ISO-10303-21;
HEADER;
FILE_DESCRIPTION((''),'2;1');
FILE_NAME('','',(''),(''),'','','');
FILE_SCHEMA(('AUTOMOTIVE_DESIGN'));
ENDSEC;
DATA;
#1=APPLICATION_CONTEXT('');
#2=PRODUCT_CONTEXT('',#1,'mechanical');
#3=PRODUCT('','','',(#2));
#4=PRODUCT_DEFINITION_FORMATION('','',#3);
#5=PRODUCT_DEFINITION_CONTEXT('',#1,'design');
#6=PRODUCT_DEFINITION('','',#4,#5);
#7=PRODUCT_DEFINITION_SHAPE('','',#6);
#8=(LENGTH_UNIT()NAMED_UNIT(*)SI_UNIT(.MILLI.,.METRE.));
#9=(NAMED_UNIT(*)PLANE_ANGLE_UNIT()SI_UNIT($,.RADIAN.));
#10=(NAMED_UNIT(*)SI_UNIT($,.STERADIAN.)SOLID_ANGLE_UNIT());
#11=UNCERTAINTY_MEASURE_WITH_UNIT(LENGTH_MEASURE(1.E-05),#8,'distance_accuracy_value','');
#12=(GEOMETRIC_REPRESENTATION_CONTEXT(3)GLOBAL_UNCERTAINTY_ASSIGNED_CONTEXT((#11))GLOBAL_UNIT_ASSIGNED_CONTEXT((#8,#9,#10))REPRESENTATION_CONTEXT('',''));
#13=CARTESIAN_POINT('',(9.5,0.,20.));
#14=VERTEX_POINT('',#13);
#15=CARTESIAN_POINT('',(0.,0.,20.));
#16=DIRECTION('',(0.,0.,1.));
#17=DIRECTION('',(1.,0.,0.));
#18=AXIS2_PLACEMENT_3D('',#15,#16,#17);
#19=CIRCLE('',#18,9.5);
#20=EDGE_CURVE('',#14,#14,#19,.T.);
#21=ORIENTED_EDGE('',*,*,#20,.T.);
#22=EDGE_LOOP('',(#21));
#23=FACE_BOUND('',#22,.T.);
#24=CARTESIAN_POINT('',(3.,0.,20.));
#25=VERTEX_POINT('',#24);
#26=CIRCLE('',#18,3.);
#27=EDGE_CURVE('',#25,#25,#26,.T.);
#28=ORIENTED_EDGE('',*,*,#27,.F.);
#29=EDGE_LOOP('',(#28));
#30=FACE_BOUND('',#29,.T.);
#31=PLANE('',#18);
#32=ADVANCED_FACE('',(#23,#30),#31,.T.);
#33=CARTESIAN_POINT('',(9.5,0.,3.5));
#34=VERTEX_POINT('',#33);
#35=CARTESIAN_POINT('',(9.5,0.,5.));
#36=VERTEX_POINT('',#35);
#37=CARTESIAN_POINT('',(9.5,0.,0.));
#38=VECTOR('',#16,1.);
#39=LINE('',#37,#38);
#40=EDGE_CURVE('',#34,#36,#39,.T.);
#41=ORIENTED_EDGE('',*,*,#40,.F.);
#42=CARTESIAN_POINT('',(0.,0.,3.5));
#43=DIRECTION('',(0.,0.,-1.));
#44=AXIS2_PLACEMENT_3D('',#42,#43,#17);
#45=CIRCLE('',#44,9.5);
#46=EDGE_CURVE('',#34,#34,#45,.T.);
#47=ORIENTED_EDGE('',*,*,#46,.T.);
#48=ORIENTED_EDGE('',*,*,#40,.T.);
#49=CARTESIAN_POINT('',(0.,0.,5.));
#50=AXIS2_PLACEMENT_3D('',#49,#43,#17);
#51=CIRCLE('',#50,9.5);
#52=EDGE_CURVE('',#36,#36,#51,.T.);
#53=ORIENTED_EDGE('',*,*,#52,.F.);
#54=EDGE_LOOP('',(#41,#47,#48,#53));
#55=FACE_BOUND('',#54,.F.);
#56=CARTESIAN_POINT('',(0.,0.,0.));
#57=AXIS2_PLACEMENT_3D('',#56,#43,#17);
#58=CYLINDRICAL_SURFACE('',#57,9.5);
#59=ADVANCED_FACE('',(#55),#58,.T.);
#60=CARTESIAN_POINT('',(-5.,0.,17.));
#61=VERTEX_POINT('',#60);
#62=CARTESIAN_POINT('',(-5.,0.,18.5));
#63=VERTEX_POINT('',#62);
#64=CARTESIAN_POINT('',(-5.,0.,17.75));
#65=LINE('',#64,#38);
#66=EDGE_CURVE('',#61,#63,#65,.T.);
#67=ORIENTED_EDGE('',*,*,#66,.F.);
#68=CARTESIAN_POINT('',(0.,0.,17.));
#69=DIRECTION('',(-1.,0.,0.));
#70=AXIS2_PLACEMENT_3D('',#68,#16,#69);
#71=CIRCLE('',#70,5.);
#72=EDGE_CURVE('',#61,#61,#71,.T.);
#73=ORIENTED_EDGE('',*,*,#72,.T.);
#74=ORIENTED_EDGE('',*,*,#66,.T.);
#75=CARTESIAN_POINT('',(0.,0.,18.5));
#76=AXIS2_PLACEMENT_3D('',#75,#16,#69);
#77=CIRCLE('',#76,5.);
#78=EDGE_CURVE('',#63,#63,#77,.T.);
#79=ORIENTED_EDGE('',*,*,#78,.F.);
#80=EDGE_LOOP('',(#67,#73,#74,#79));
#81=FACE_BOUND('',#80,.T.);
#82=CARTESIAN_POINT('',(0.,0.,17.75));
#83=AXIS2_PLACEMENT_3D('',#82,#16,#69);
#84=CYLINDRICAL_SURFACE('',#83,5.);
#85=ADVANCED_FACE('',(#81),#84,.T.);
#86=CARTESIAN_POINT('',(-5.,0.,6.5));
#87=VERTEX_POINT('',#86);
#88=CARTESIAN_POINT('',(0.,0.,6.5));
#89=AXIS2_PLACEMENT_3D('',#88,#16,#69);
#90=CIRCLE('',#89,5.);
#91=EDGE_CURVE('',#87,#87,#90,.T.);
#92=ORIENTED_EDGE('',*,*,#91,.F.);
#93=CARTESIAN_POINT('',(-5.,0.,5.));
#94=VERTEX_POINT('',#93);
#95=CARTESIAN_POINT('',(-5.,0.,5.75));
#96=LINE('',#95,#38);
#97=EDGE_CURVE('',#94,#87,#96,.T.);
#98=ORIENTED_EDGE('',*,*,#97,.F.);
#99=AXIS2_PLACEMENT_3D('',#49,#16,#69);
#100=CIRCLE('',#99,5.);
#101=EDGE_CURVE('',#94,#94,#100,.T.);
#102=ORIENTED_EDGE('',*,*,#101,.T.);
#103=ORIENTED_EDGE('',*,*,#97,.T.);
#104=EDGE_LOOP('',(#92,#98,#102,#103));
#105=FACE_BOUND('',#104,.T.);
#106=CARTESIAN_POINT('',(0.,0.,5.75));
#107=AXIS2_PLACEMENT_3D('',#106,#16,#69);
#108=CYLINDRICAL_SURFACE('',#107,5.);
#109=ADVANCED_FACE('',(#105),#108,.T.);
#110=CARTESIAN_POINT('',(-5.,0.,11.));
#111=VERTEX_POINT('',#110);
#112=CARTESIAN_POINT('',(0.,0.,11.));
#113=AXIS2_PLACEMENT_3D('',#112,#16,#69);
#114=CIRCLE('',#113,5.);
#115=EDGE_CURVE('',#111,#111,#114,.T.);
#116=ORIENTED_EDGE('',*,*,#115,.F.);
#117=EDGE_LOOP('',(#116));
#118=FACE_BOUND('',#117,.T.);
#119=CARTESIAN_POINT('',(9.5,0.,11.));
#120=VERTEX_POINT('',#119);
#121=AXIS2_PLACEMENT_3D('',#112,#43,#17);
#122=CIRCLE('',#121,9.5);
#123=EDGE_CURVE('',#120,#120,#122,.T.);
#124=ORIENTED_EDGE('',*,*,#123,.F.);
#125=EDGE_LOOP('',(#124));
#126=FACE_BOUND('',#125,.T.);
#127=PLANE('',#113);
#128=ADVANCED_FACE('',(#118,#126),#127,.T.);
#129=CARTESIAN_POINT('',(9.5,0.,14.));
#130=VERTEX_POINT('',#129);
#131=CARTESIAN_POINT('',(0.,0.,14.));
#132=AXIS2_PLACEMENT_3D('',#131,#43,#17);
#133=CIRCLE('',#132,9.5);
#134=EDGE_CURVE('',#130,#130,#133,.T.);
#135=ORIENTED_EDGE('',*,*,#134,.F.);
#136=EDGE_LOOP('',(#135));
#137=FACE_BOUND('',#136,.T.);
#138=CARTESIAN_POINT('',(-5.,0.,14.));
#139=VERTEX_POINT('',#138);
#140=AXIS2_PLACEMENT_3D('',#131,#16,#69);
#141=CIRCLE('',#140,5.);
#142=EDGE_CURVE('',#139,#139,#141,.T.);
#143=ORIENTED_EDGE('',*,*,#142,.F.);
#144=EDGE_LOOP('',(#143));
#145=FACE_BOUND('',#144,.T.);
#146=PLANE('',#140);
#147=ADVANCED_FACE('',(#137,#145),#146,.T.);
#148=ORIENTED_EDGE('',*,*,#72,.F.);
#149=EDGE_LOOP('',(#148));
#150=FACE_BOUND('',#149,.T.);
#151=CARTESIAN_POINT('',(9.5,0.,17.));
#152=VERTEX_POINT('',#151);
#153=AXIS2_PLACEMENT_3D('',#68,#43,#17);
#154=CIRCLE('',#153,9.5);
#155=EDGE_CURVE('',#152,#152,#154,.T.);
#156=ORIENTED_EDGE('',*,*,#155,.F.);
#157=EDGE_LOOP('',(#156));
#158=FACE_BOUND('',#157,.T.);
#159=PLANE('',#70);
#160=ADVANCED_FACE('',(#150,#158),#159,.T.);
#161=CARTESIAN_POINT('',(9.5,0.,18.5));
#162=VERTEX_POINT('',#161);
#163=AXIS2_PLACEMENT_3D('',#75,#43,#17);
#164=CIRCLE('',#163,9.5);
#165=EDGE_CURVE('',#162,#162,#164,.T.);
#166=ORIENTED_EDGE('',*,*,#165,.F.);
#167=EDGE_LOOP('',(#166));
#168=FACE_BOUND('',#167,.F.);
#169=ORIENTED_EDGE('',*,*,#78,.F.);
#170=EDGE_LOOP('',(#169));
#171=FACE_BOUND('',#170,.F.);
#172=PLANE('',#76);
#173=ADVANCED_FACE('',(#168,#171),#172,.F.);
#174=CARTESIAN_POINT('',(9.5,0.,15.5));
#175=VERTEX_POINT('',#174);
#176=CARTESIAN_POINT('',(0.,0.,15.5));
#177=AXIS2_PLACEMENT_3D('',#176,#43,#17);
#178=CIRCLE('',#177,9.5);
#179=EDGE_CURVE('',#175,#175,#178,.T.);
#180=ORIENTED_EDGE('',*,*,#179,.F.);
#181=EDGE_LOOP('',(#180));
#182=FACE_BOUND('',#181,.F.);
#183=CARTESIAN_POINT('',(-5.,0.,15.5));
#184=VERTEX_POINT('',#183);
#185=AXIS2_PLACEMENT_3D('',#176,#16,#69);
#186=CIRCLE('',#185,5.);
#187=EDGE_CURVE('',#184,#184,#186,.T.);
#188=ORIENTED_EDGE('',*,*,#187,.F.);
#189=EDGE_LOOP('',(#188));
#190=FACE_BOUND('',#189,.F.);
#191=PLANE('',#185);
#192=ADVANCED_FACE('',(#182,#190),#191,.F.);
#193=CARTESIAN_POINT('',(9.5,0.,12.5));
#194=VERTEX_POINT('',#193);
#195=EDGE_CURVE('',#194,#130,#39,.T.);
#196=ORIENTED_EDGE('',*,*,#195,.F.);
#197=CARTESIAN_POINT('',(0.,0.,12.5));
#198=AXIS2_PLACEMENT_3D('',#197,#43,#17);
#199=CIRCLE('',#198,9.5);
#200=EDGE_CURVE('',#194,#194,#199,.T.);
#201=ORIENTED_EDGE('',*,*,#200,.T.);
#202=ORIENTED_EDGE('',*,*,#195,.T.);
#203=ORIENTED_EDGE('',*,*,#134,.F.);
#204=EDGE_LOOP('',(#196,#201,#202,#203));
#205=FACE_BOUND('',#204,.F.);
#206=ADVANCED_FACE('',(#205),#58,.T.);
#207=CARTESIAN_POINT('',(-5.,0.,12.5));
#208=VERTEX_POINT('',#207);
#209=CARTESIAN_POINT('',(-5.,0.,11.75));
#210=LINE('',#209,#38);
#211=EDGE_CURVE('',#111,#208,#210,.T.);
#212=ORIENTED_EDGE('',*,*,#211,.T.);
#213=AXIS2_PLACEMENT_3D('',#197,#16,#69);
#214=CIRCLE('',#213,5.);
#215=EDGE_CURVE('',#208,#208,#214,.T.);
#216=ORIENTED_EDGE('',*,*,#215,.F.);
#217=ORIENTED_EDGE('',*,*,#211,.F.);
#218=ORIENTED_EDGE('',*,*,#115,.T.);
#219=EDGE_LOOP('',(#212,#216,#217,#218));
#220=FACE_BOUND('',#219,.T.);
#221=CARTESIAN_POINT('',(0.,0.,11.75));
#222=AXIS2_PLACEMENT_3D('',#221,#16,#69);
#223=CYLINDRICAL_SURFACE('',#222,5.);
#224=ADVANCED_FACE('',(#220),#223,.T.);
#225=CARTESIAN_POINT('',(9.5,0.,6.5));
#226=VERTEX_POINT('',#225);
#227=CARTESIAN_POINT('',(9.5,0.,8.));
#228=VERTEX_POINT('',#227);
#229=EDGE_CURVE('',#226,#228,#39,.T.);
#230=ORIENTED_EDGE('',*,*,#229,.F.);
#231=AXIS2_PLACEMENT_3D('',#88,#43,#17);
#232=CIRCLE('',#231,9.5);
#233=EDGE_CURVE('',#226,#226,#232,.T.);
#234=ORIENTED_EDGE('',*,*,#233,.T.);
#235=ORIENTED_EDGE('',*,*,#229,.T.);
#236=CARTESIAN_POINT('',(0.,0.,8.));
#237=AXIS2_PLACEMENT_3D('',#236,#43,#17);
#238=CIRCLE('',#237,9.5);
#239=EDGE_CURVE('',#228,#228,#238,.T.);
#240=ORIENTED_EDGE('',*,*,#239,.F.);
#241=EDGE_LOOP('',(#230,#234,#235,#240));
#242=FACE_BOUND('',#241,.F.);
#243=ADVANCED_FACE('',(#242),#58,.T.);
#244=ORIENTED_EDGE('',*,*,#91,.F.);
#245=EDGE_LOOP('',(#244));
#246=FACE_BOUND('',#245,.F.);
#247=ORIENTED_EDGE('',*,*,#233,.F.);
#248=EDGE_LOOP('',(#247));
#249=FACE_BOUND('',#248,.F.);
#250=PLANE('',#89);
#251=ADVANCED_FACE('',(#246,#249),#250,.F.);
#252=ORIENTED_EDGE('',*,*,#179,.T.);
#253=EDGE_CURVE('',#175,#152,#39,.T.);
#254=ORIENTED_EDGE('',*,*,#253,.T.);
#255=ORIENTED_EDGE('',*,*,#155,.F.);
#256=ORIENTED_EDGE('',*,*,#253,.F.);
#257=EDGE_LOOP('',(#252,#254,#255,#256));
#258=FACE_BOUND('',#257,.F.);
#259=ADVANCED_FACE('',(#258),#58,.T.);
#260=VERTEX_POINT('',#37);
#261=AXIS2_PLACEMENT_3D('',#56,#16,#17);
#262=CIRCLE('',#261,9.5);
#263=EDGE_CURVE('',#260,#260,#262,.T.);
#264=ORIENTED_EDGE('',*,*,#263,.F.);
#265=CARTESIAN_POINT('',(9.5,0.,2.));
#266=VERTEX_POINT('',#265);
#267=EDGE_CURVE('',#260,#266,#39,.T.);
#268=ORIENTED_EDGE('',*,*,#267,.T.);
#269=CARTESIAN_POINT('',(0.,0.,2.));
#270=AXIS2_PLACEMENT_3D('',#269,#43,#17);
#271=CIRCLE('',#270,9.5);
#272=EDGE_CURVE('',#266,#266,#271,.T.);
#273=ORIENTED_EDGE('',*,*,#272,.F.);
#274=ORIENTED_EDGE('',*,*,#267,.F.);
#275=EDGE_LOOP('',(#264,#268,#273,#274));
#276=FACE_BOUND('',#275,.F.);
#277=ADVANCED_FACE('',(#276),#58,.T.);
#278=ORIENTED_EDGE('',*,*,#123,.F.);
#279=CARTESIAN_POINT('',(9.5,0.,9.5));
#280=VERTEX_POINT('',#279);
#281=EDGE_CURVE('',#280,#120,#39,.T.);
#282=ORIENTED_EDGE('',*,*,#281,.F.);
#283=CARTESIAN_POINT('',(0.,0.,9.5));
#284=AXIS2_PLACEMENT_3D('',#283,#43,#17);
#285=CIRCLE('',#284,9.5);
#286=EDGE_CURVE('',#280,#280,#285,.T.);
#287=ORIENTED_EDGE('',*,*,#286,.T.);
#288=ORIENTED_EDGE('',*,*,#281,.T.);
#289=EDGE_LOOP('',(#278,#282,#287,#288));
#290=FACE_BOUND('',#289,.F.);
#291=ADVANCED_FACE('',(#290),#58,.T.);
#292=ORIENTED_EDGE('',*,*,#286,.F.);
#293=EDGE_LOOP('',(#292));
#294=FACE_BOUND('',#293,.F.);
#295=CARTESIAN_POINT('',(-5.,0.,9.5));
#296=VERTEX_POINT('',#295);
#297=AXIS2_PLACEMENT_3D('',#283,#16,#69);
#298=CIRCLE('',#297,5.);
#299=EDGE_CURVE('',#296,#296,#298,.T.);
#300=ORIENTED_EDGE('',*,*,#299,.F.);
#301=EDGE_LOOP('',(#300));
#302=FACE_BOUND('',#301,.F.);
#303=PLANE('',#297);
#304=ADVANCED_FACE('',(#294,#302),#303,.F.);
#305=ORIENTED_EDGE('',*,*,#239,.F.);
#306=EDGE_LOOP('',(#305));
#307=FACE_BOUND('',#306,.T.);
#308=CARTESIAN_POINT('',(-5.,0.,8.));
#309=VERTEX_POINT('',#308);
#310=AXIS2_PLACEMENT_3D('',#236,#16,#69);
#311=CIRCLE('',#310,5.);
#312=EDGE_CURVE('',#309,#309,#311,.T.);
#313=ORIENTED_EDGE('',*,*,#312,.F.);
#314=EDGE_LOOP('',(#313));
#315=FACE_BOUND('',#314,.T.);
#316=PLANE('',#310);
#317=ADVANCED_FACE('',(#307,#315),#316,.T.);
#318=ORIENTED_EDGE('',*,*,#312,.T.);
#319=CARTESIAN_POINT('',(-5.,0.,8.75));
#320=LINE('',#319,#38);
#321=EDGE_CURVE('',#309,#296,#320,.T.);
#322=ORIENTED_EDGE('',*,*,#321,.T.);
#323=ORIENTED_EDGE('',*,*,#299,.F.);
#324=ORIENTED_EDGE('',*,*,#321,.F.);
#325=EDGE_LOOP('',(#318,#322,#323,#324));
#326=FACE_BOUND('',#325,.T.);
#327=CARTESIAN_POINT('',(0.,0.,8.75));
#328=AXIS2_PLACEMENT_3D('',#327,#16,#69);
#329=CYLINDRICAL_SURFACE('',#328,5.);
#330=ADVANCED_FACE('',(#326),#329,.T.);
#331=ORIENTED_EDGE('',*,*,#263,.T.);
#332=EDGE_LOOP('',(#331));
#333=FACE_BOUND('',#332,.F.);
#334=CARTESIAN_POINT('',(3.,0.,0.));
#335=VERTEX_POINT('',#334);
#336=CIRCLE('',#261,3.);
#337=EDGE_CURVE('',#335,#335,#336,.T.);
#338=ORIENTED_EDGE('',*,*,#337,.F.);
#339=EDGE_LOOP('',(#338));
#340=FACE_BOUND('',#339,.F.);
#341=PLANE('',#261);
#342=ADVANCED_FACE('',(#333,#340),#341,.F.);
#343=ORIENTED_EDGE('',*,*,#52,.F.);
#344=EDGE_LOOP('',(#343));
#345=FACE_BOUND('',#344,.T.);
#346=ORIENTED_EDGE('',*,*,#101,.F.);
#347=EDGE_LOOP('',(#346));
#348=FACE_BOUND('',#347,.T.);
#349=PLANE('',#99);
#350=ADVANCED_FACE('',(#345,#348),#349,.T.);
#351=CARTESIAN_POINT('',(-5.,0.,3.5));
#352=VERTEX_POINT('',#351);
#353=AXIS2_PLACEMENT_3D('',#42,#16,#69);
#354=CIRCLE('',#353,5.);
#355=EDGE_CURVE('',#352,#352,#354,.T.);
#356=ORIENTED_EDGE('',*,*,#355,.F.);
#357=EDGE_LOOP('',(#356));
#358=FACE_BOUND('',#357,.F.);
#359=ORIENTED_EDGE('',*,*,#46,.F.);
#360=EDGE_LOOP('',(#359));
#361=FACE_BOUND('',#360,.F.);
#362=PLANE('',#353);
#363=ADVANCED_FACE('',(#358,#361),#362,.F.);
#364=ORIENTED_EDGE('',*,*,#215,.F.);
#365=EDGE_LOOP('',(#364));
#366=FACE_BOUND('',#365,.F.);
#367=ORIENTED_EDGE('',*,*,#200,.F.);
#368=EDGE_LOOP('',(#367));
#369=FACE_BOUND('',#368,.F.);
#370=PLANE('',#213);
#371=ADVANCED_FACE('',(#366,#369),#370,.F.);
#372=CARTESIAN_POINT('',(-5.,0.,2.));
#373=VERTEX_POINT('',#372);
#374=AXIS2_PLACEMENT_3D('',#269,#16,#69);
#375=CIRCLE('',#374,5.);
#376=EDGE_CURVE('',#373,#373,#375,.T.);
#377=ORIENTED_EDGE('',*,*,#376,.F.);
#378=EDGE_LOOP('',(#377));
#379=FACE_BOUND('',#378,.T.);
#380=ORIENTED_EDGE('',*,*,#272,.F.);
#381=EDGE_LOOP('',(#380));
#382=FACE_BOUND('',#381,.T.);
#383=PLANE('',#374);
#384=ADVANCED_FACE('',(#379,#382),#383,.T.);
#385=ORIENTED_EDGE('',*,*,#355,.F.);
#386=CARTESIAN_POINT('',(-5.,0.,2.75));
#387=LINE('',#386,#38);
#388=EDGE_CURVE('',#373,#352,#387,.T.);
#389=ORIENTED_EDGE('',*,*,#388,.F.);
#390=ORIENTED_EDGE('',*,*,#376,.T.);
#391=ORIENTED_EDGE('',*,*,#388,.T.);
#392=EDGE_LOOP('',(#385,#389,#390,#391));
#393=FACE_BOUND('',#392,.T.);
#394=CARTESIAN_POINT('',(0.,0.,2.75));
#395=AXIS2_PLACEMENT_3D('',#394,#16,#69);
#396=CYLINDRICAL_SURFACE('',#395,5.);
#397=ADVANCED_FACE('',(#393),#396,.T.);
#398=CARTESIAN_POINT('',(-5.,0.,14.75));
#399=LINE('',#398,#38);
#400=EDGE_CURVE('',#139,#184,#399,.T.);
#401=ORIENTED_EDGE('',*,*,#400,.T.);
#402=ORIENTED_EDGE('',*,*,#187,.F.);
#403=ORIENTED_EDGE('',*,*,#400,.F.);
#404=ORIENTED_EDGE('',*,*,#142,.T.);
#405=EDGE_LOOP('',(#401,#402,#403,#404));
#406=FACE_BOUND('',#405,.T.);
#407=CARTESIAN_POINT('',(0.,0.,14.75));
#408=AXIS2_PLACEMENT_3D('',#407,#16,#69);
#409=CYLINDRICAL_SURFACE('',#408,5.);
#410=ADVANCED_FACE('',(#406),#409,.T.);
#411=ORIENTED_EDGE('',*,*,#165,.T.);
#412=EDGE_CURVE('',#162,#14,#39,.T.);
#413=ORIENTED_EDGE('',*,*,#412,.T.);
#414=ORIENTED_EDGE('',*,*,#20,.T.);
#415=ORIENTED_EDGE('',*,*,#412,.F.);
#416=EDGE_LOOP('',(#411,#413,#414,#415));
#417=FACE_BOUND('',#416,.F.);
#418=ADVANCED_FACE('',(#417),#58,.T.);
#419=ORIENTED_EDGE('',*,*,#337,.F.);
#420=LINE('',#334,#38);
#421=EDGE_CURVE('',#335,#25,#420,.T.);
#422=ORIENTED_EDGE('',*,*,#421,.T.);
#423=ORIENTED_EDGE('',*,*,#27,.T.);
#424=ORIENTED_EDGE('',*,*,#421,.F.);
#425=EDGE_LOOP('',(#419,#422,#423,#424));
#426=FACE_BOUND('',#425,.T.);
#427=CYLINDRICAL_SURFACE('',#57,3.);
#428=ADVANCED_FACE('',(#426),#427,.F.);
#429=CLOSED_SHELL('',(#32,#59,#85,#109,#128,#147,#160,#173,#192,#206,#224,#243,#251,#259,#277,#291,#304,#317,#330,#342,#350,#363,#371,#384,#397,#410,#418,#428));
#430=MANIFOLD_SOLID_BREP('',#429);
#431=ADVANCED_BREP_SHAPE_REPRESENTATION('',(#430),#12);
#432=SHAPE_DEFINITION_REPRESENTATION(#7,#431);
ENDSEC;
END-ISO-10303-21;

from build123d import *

# Parameters (mm, degrees)
F0_R     = 9.5
F0_R_2   = 3
F1_DEPTH = 20
F2_W     = 5
F2_H     = 1.5


with BuildPart() as f1:
    # F0 (on Top) → F1 (new body)
    with BuildSketch(Plane.XY):
        Circle(F0_R)
        Circle(F0_R_2, mode=Mode.SUBTRACT)
    extrude(amount=F1_DEPTH)

    # F2 (on Front) → F3 (revolve, cut)
    with BuildSketch(Plane.XZ):
        with Locations((-7.5, 17.75)):
            Rectangle(F2_W, F2_H)
        with Locations((-7.5, 14.75)):
            Rectangle(F2_W, F2_H)
        with Locations((-7.5, 11.75)):
            Rectangle(F2_W, F2_H)
        with Locations((-7.5, 8.75)):
            Rectangle(F2_W, F2_H)
        with Locations((-7.5, 5.75)):
            Rectangle(F2_W, F2_H)
        with Locations((-7.5, 2.75)):
            Rectangle(F2_W, F2_H)
    revolve(axis=Axis((0, 0, 20), (0, 0, 1)), mode=Mode.SUBTRACT)


solid = f1.part
